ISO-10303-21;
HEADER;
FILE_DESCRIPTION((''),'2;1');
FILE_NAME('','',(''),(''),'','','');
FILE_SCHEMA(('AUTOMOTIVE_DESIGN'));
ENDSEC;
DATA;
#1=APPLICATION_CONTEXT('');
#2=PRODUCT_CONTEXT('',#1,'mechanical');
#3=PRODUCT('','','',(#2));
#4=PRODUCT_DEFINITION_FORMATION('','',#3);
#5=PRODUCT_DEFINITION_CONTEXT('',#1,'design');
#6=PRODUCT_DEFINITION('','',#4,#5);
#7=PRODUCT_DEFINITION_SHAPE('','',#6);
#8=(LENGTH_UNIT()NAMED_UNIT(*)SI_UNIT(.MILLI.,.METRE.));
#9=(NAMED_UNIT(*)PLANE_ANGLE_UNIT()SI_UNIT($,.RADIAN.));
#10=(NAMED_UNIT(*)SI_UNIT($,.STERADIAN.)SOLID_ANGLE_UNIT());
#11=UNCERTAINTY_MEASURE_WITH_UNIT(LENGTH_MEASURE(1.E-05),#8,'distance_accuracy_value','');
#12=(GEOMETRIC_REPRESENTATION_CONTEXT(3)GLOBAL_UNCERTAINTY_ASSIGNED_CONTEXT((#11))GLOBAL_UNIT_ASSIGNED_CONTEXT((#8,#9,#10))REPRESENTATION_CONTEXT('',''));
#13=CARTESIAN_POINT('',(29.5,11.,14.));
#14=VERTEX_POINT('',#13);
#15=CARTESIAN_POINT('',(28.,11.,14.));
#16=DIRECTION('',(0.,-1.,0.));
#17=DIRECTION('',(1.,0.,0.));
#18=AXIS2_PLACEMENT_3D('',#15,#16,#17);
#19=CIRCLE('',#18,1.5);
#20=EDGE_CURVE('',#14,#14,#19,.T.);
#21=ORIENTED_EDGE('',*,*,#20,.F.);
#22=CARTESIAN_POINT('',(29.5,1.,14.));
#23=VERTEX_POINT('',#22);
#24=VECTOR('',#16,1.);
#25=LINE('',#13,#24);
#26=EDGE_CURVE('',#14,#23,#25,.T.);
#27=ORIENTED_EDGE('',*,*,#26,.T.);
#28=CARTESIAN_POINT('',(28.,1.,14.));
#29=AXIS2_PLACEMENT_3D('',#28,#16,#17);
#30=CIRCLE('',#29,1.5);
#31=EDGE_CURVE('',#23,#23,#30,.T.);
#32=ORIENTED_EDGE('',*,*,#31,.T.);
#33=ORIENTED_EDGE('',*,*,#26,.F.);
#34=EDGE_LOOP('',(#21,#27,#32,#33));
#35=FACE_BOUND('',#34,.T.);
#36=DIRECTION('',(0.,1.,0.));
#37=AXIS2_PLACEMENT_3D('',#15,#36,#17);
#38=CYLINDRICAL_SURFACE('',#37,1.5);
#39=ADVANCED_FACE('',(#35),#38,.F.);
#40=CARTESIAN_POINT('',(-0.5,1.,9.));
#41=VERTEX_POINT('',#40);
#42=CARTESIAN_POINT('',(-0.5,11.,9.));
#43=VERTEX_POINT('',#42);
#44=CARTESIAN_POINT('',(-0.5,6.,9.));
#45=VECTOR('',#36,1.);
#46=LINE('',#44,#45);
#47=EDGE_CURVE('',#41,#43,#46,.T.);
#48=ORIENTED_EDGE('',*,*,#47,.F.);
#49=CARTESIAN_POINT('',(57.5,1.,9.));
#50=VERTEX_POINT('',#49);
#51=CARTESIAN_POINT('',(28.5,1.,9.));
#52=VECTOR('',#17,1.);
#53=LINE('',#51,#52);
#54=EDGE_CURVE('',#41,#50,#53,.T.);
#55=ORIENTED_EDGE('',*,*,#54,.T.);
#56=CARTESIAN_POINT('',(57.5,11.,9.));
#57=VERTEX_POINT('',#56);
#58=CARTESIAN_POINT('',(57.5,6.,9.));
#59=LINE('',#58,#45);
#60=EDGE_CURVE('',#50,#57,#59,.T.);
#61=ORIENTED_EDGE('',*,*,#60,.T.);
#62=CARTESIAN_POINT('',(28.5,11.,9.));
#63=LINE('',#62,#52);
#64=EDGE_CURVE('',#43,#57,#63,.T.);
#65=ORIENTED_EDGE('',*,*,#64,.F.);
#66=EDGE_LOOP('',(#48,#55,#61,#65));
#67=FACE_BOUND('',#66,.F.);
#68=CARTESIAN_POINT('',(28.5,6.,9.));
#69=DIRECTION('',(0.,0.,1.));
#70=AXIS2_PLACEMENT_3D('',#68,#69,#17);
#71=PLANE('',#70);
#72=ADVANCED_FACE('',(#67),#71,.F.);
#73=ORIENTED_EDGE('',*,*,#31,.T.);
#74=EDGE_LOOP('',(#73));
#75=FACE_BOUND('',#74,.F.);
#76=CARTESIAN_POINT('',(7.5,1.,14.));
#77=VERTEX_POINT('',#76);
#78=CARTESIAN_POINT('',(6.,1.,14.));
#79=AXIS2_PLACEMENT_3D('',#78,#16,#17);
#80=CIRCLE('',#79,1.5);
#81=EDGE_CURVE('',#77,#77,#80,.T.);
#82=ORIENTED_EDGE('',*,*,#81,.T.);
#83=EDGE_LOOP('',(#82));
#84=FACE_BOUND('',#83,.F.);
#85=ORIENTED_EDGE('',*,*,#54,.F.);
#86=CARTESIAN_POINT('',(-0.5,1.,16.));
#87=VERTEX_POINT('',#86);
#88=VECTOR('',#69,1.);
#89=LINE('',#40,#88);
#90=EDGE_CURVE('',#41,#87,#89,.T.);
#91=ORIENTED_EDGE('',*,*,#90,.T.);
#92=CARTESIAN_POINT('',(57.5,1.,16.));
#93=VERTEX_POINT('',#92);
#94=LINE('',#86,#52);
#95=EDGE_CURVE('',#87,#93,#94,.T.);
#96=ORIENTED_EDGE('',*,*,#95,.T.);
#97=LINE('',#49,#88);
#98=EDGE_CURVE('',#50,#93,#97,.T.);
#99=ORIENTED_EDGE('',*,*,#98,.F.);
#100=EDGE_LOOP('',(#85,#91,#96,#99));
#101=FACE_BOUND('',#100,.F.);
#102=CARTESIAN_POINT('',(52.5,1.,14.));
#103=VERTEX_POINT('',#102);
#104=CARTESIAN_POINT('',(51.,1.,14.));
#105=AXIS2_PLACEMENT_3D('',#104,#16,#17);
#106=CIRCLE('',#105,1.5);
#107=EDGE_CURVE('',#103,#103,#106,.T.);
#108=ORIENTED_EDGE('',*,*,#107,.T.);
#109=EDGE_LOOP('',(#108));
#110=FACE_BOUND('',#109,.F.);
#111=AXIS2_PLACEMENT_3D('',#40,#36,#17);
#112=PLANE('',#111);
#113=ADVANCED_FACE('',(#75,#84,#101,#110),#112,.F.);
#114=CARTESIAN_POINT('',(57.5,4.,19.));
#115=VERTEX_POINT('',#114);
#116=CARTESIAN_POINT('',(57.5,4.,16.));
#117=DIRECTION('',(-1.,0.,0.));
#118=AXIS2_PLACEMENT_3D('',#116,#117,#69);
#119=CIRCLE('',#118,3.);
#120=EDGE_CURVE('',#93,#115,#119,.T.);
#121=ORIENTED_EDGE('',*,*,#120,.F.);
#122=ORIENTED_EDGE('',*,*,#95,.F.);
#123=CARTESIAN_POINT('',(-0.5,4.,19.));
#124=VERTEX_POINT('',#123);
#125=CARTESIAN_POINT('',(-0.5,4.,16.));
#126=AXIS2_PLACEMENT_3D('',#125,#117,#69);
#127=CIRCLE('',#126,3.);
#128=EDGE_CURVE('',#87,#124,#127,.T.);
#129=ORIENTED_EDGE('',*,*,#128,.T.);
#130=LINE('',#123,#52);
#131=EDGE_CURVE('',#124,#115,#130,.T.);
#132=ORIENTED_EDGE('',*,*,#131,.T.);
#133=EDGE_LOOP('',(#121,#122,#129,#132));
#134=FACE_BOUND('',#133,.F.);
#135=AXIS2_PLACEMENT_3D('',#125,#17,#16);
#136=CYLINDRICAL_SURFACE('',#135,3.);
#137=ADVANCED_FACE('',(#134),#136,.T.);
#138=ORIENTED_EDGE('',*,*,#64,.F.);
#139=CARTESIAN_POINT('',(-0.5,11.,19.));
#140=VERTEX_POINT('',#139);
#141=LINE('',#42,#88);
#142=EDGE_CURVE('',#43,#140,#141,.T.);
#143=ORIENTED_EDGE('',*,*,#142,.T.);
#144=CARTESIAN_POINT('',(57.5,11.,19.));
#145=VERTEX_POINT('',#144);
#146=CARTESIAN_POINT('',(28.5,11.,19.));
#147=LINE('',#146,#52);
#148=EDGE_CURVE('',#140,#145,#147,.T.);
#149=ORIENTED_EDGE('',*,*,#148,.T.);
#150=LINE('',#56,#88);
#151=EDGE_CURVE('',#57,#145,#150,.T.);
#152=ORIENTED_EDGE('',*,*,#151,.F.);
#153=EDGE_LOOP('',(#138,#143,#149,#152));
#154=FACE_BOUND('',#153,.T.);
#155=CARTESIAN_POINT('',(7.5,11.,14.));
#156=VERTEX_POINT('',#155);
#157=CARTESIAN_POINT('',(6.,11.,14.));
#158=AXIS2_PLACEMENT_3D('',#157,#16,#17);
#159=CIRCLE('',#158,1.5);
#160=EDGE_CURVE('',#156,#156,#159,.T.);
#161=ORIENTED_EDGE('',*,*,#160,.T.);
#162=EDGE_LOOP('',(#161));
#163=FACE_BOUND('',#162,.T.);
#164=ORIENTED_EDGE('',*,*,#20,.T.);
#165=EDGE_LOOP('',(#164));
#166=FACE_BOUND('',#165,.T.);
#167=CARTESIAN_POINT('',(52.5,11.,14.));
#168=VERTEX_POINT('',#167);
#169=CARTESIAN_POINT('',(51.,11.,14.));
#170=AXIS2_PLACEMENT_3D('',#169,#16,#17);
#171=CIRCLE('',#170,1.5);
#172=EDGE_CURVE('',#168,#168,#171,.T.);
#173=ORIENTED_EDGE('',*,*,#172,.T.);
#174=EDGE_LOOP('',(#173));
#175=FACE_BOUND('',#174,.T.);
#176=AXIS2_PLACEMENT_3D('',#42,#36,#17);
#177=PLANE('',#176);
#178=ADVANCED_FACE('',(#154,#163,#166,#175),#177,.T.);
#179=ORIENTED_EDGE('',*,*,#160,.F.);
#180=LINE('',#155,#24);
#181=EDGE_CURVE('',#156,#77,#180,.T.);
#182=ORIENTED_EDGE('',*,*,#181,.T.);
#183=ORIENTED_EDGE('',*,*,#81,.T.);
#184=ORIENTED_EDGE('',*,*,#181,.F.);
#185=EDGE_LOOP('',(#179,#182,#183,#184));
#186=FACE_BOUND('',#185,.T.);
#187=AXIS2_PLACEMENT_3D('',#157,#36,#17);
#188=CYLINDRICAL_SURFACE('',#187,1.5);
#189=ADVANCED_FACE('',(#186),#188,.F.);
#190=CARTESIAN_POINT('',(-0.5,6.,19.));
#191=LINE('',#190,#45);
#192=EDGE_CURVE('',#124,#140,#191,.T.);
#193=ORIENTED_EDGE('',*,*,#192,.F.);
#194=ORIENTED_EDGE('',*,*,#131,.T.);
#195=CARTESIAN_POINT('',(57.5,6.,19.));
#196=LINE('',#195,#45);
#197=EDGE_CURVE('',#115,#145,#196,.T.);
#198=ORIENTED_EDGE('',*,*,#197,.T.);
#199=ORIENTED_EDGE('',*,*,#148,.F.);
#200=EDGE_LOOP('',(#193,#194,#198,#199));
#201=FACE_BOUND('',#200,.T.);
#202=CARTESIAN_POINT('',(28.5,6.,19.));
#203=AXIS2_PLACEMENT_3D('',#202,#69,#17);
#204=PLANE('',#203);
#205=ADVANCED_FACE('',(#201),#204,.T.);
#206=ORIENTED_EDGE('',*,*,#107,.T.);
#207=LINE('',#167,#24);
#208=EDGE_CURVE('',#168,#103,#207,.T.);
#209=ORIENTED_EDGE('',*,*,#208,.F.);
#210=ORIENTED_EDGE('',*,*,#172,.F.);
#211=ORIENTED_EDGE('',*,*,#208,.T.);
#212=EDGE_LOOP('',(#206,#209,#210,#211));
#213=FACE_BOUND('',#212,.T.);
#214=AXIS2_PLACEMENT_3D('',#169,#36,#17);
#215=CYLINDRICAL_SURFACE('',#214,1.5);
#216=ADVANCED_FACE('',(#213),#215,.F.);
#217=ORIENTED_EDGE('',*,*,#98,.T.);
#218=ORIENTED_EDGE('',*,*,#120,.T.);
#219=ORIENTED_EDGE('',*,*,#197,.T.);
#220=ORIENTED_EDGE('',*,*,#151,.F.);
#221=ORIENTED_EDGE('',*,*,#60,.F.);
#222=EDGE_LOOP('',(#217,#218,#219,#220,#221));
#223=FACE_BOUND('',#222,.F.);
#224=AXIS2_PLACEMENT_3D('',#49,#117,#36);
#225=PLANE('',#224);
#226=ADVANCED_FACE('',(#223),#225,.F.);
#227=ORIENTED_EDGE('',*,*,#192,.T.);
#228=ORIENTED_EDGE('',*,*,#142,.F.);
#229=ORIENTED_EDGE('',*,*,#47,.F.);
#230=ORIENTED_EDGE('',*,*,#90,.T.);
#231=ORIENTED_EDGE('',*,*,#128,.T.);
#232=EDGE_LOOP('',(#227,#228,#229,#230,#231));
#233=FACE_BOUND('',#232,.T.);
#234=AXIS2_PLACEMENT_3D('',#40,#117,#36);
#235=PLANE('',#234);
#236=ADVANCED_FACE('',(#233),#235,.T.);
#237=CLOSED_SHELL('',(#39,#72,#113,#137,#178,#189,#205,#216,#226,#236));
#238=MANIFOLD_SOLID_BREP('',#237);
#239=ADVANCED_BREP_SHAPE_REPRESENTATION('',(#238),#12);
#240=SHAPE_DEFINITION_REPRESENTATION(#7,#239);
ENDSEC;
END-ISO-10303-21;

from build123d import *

# Parameters (mm, degrees)
CYLINDER043_R     = 1.5
CYLINDER043_DEPTH = 10
CYLINDER044_R     = 1.5
CYLINDER044_DEPTH = 10
CYLINDER042_R     = 1.5
CYLINDER042_DEPTH = 10
BOX020_W          = 58
BOX020_H          = 10
BOX020_DEPTH      = 10
FILLET009_R       = 3


with BuildPart() as cylinder043:
    # Cylinder043 → Cylinder043 (new body)
    with BuildSketch(Plane(origin=(28, 11, 14), x_dir=(1, 0, 0), z_dir=(0, -1, 0))):
        Circle(CYLINDER043_R)
    extrude(amount=CYLINDER043_DEPTH)


with BuildPart() as cylinder044:
    # Cylinder044 → Cylinder044 (new body)
    with BuildSketch(Plane(origin=(51, 11, 14), x_dir=(1, 0, 0), z_dir=(0, -1, 0))):
        Circle(CYLINDER044_R)
    extrude(amount=CYLINDER044_DEPTH)


with BuildPart() as fusion033:
    # Cylinder042 → Cylinder042 (new body)
    with BuildSketch(Plane(origin=(6, 11, 14), x_dir=(1, 0, 0), z_dir=(0, -1, 0))):
        Circle(CYLINDER042_R)
    extrude(amount=CYLINDER042_DEPTH)

    # Fusion033: union Cylinder043, Cylinder044
    add(cylinder043.part)
    add(cylinder044.part)


with BuildPart() as frame_holes001:
    # Box020 → Box020 (new body)
    with BuildSketch(Plane.XY.offset(9)):
        with Locations((29, 5)):
            Rectangle(BOX020_W, BOX020_H)
    extrude(amount=BOX020_DEPTH)

    # Fillet009
    fillet009_edges = [frame_holes001.edges().sort_by_distance(p)[0] for p in [
        (29, 0, 19),
    ]]
    fillet(fillet009_edges, radius=FILLET009_R)


with BuildPart() as frame_holes001_1:
    # Fillet009 placement: moved
    add(frame_holes001.part.moved(Location((-0.5, 1, 0))))

    # Cut018: cut Fusion033
    add(fusion033.part, mode=Mode.SUBTRACT)


solid = frame_holes001_1.part
